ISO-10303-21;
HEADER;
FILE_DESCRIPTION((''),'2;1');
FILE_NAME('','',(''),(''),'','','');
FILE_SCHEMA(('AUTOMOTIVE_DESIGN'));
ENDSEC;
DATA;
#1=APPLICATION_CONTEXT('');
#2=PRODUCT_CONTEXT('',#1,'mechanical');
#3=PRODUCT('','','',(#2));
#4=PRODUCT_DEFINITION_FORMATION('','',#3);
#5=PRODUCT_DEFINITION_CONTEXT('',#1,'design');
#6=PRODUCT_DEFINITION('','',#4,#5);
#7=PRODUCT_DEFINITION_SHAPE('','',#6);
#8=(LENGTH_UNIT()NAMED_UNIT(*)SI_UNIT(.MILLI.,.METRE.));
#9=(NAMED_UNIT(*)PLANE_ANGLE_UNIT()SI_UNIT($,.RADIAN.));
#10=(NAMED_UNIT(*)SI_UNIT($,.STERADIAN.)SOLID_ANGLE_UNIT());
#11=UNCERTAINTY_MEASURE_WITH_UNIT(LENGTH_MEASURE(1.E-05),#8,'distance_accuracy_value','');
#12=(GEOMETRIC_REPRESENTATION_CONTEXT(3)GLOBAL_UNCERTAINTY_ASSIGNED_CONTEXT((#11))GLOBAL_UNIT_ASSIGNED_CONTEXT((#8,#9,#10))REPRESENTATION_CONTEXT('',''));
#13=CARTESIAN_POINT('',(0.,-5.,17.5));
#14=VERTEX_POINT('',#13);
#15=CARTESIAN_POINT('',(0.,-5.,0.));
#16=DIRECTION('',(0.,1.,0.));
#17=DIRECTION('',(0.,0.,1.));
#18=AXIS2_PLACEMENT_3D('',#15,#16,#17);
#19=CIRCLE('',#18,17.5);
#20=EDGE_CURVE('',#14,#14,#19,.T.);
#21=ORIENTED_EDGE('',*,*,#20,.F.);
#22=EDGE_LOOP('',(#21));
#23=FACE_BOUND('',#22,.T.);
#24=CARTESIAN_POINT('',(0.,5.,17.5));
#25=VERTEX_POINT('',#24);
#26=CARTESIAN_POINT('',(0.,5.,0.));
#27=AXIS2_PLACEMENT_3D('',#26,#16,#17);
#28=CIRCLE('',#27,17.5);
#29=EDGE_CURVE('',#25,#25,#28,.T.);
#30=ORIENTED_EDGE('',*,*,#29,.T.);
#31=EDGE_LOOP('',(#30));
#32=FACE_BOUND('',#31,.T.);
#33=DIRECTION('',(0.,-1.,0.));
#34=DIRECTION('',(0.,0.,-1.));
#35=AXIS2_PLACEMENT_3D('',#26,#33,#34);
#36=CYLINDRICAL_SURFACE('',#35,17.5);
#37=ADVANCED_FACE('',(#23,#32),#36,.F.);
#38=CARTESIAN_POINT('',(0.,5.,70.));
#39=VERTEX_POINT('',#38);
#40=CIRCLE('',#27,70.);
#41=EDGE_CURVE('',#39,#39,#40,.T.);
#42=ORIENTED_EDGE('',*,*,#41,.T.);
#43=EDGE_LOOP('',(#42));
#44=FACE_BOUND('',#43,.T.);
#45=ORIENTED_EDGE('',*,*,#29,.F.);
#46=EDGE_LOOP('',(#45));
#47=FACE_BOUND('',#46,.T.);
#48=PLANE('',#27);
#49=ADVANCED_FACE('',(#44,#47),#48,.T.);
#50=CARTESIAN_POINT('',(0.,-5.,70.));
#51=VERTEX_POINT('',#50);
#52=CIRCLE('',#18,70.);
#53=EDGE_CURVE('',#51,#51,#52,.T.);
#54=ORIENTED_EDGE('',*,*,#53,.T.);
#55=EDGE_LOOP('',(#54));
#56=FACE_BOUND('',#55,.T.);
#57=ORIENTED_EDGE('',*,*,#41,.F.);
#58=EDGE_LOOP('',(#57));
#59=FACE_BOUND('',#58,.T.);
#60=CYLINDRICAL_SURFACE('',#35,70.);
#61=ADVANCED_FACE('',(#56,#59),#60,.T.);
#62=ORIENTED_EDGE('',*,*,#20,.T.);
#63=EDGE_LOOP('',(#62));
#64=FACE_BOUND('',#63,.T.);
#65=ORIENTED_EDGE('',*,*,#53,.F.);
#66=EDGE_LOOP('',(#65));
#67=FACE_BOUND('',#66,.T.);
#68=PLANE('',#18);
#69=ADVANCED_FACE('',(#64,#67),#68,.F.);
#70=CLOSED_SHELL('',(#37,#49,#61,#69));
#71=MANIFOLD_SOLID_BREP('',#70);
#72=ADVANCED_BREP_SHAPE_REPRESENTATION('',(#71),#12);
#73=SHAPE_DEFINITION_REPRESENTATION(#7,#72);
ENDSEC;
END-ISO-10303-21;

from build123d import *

# Parameters (mm, degrees)
SKETCH1_R           = 70
SKETCH1_R_2         = 17.5
BOSS_EXTRUDE1_DEPTH = 5


with BuildPart() as part:
    # Sketch1 → Boss-Extrude1 (new, symmetric)
    with BuildSketch(Plane(origin=(0, 0, 0), x_dir=(1, 0, 0), z_dir=(0, 1, 0))):
        with Locations(Location((0, 0, 0), (0, 0, 270))):
            Circle(SKETCH1_R)
        with Locations(Location((0, 0, 0), (0, 0, 270))):
            Circle(SKETCH1_R_2, mode=Mode.SUBTRACT)
    extrude(amount=BOSS_EXTRUDE1_DEPTH, both=True)


solid = part.part
